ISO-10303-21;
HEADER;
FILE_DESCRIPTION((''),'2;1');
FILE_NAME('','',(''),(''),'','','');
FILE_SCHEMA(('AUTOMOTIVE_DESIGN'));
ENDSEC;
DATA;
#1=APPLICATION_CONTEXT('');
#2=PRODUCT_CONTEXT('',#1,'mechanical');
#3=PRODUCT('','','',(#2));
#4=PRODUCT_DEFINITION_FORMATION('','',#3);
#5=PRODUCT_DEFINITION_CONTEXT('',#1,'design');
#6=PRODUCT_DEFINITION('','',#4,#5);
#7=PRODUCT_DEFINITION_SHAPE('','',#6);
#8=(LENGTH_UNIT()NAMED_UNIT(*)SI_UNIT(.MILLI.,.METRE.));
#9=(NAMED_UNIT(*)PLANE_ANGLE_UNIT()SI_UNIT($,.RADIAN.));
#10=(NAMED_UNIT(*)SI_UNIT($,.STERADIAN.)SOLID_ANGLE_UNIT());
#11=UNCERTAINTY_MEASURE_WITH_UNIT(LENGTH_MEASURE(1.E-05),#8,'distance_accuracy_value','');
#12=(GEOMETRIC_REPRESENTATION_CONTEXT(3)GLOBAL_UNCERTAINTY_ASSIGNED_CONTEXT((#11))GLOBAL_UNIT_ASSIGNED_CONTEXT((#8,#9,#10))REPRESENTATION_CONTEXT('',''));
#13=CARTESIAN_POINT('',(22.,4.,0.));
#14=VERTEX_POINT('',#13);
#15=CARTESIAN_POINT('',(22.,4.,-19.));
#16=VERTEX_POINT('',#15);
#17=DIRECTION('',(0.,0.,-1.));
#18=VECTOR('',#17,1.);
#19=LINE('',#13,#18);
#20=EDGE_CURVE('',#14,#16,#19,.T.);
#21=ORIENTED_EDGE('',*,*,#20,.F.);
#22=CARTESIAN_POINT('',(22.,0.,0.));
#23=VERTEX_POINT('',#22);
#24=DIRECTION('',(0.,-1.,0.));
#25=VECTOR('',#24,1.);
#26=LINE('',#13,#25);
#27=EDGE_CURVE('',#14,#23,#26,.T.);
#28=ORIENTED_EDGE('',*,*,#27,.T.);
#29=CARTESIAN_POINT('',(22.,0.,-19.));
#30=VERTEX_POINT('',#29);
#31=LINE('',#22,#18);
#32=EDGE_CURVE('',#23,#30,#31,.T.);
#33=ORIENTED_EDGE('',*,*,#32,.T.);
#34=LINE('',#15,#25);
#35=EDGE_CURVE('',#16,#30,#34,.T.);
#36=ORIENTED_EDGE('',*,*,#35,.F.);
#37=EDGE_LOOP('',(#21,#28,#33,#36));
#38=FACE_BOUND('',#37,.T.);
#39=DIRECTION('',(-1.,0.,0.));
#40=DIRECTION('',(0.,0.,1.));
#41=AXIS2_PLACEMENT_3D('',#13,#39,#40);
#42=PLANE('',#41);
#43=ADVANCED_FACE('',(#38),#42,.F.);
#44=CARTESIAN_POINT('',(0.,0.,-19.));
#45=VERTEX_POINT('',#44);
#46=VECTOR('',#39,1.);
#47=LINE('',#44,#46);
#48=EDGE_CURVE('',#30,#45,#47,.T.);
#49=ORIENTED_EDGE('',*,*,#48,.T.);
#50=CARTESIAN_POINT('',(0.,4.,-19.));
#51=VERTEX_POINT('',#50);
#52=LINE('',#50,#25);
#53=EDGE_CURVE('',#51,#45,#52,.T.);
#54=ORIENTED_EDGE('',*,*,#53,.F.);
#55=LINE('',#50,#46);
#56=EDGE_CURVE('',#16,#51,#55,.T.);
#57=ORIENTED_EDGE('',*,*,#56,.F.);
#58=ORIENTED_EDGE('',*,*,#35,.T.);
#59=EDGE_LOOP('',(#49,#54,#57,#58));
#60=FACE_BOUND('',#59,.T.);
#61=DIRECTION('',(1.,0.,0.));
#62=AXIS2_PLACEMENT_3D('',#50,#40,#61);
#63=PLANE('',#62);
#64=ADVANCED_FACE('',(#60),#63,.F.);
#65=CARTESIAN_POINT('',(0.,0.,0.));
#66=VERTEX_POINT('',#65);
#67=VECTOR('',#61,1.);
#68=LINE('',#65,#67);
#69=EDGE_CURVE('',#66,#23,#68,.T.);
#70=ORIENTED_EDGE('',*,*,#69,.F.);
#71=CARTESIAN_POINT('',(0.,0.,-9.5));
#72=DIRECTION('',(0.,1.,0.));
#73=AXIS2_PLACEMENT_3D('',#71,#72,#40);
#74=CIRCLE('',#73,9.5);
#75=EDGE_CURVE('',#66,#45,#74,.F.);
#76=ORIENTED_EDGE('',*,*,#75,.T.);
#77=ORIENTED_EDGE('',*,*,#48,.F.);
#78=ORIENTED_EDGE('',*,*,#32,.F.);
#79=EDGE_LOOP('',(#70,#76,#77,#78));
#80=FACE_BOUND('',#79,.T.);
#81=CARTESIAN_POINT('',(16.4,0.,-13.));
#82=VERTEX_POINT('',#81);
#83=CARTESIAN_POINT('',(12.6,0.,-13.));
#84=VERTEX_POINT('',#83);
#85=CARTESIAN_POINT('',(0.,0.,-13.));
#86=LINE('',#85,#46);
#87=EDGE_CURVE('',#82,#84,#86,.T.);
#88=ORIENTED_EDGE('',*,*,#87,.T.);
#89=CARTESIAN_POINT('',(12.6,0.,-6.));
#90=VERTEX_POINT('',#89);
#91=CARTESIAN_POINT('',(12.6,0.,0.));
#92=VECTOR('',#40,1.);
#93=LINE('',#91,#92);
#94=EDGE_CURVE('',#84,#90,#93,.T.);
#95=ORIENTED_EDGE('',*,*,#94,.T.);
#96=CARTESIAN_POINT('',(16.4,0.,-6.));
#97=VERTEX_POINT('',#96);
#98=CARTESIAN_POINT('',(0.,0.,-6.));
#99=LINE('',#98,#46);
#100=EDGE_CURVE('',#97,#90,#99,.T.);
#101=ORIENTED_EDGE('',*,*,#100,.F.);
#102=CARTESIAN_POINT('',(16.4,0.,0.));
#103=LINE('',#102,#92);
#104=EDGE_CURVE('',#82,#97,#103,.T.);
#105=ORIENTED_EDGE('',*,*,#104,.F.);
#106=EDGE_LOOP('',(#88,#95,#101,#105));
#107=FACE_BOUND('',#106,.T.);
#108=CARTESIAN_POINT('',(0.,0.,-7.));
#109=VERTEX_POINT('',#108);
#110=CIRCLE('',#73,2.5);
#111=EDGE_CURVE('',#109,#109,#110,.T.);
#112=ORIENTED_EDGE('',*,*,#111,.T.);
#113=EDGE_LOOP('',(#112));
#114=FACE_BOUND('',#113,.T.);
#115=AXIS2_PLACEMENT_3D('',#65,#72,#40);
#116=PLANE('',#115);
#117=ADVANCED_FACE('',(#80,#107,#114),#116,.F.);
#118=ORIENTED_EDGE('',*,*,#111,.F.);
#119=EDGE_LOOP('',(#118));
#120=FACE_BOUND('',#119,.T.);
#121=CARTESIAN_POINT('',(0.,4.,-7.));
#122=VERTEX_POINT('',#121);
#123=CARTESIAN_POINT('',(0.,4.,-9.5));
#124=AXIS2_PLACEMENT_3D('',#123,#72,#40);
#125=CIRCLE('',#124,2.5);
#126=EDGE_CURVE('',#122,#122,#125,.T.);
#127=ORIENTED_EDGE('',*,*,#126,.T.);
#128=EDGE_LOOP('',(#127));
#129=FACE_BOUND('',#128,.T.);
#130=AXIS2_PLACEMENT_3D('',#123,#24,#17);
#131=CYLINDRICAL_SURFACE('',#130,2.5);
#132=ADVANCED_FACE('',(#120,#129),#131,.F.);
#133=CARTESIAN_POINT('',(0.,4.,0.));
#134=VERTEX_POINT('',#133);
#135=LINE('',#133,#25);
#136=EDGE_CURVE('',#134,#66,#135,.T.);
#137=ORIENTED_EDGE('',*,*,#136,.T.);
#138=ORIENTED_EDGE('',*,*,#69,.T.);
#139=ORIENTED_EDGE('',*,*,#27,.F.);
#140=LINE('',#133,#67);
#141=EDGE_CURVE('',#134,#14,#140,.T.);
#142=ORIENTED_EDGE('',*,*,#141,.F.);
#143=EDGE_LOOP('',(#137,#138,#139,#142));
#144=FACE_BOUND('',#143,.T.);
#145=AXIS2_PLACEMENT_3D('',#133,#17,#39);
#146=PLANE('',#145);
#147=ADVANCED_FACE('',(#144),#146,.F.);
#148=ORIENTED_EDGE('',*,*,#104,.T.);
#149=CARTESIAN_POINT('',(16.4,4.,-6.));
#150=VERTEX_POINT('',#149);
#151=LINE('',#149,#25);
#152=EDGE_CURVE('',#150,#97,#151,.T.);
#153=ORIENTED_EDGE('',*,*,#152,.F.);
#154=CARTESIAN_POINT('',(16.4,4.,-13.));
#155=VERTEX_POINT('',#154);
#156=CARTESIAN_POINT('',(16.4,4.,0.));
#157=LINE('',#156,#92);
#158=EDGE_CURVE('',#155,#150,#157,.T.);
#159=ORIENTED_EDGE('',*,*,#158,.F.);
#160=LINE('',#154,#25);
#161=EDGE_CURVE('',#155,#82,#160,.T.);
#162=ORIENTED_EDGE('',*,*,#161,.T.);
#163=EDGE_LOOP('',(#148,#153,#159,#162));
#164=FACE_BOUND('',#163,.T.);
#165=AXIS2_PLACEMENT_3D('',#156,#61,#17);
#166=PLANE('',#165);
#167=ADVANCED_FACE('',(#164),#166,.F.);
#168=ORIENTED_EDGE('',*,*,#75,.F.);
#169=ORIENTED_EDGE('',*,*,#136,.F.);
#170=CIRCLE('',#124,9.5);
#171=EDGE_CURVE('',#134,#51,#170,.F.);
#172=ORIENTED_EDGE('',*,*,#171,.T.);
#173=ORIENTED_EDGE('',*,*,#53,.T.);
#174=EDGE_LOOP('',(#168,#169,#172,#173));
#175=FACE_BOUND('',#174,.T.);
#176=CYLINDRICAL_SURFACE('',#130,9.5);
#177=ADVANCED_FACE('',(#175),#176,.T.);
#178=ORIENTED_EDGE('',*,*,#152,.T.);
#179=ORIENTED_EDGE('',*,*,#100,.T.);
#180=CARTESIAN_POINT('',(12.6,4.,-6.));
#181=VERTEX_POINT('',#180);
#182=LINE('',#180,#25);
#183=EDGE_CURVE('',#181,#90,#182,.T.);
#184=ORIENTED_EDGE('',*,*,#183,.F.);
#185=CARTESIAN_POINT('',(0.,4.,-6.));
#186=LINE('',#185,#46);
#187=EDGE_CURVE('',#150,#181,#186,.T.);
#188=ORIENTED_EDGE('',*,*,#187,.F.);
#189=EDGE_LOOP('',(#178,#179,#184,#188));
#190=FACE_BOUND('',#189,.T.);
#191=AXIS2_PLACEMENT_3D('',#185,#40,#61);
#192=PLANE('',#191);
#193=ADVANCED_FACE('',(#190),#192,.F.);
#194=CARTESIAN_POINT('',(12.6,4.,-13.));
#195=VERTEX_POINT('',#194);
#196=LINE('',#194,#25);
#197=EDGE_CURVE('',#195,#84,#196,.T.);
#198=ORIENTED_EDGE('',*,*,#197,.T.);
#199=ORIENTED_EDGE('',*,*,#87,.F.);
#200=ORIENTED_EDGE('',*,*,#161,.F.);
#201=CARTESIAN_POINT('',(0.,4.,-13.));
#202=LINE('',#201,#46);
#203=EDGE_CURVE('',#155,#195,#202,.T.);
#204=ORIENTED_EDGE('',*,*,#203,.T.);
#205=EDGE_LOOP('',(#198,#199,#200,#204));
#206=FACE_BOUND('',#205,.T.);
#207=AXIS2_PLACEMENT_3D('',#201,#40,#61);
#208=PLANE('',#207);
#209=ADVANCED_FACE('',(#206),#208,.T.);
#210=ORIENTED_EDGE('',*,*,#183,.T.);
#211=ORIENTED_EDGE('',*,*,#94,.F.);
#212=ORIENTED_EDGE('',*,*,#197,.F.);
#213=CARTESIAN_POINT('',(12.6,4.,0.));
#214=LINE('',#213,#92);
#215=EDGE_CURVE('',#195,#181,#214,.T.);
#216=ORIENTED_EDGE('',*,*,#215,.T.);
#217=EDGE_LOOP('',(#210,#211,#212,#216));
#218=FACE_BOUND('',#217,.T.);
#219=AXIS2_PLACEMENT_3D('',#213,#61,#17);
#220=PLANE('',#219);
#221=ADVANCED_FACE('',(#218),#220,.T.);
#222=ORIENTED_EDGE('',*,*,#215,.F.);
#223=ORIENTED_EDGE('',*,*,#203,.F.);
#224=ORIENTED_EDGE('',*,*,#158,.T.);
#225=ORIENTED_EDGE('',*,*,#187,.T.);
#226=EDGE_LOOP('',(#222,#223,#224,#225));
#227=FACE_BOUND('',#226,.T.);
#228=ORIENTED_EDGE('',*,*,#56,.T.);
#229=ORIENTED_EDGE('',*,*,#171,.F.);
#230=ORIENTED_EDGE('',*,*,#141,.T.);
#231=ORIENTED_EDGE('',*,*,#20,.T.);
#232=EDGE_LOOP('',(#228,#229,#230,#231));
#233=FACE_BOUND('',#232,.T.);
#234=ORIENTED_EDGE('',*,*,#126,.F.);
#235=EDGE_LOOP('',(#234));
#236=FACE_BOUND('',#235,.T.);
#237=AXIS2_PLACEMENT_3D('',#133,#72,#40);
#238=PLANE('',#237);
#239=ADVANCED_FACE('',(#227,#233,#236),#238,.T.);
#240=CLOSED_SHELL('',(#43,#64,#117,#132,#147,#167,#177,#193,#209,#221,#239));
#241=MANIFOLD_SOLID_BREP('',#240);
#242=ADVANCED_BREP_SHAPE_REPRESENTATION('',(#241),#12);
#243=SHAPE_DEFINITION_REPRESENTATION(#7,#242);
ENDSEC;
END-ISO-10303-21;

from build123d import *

# Parameters (mm, degrees)
SKETCH1_R           = 2.5
SKETCH1_W           = 3.8
SKETCH1_H           = 7
BOSS_EXTRUDE1_DEPTH = 4


with BuildPart() as part:
    # Sketch1 → Boss-Extrude1 (new body)
    with BuildSketch(Plane(origin=(0, 0, 0), x_dir=(1, 0, 0), z_dir=(0, 1, 0))):
        with BuildLine():
            Line((0, 0), (22, 0))
            Line((22, 0), (22, 19))
            Line((22, 19), (0, 19))
            ThreePointArc((0, 19), (-9.5, 9.5), (0, 0))
        make_face()
        with Locations(Location((0, 9.5, 0), (0, 0, 270))):
            Circle(SKETCH1_R, mode=Mode.SUBTRACT)
        with Locations((14.5, 9.5)):
            Rectangle(SKETCH1_W, SKETCH1_H, mode=Mode.SUBTRACT)
    extrude(amount=BOSS_EXTRUDE1_DEPTH)


solid = part.part
